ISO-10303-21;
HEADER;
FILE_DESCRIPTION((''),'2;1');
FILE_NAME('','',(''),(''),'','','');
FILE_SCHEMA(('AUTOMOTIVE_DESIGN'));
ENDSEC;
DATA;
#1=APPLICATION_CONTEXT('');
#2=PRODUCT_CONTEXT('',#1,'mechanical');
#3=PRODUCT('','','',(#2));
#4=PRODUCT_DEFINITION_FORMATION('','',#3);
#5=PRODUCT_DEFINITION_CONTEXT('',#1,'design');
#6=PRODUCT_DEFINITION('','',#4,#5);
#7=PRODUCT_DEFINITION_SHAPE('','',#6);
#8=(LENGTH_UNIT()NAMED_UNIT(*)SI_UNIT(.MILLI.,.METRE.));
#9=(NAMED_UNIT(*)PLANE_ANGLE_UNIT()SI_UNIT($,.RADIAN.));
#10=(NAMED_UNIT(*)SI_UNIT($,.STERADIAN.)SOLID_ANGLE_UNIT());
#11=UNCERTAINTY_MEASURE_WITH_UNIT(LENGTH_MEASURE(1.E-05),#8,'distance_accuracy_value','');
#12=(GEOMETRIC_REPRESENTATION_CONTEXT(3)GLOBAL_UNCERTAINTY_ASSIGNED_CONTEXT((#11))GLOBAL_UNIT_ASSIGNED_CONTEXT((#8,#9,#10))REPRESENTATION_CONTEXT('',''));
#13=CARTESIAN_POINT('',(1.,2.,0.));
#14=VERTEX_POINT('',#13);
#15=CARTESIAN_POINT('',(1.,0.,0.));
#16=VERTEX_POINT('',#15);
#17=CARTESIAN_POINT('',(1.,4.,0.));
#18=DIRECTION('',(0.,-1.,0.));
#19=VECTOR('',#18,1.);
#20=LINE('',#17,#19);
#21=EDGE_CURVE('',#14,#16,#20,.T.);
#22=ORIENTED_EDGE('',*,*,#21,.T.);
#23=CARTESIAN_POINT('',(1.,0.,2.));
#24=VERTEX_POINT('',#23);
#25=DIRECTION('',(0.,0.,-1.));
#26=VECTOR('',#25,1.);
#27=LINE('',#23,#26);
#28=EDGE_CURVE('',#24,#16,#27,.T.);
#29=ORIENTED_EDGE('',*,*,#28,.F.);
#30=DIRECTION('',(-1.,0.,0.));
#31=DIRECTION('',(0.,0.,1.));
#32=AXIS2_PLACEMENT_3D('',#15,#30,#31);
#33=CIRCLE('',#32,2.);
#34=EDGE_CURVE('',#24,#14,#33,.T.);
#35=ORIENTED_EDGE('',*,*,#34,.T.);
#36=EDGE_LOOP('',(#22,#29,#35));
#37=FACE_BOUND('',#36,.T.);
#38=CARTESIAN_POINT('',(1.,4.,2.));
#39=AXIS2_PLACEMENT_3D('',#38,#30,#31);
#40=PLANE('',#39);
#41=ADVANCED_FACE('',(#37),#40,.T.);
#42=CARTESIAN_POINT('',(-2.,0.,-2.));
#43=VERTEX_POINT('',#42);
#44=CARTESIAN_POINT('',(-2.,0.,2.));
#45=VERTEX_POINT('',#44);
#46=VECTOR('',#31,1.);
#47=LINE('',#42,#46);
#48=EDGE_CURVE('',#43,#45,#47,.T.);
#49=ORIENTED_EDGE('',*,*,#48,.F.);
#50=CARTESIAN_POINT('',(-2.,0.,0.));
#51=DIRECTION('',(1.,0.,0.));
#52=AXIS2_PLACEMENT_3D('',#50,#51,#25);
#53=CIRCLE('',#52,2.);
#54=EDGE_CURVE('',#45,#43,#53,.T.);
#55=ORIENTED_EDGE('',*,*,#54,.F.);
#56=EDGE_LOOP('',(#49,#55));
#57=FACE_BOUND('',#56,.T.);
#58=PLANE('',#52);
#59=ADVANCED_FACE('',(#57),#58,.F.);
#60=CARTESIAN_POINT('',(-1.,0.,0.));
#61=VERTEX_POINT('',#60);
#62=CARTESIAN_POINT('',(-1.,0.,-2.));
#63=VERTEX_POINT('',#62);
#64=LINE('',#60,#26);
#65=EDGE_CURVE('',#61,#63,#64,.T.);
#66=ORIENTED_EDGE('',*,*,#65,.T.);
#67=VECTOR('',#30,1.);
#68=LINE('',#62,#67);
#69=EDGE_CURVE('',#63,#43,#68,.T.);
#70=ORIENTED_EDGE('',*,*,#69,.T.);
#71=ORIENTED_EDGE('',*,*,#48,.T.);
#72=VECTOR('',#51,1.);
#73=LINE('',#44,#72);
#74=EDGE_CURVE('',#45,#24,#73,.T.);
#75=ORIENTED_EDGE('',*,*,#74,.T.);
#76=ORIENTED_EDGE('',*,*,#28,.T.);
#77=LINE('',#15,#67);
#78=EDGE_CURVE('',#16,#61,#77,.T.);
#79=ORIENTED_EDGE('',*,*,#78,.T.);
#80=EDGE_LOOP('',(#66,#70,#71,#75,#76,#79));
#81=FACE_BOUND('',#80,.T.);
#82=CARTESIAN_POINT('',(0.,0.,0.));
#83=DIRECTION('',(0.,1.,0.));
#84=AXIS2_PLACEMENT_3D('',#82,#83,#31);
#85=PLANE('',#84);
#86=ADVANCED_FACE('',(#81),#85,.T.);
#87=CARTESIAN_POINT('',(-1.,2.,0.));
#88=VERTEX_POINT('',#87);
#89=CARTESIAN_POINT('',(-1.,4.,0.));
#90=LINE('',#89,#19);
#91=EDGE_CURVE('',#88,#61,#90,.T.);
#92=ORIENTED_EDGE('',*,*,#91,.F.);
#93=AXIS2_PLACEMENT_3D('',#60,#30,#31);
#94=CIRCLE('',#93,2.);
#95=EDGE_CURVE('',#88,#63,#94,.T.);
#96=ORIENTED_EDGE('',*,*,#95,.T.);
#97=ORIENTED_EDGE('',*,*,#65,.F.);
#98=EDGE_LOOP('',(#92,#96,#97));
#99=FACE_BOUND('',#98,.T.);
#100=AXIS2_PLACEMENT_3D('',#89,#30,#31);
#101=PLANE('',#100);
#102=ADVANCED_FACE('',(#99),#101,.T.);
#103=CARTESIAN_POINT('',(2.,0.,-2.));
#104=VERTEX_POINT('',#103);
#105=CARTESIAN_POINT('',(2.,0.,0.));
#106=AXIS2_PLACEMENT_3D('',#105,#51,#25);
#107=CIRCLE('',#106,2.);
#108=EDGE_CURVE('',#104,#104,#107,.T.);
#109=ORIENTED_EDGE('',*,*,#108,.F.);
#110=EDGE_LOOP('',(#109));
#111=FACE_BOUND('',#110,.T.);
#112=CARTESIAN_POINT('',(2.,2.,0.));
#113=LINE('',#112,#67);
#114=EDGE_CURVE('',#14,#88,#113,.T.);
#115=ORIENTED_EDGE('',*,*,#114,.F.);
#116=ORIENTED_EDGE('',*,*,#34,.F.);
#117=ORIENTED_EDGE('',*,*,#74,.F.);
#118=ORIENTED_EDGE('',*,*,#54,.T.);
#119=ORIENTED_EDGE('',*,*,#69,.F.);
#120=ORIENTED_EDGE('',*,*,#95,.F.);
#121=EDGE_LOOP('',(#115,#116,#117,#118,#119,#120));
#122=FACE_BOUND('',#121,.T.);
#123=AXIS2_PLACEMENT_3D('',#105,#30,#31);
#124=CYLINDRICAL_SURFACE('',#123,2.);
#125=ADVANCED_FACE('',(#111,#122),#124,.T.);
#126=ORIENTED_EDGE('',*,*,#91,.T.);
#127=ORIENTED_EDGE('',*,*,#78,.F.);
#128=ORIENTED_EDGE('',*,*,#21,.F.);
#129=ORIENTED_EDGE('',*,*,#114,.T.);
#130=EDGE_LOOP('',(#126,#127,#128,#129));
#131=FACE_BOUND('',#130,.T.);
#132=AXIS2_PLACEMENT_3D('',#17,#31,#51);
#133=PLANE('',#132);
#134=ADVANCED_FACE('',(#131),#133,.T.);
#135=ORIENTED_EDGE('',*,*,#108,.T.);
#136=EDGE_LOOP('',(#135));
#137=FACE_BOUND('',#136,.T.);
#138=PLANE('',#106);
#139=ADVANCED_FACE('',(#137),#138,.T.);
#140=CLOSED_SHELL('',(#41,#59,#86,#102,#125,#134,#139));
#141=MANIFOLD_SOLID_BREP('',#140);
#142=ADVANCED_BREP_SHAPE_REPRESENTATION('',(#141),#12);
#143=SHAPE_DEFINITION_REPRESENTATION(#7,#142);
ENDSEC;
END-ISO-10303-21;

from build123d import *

# Parameters (mm, degrees)
SKETCH1_R           = 2
BOSS_EXTRUDE1_DEPTH = 2
CUT_EXTRUDE1_DEPTH  = 4


with BuildPart() as part:
    # Sketch1 → Boss-Extrude1 (new body, symmetric)
    with BuildSketch(Plane(origin=(0, 0, 0), x_dir=(0, 0, -1), z_dir=(1, 0, 0))):
        Circle(SKETCH1_R)
    extrude(amount=BOSS_EXTRUDE1_DEPTH, both=True)

    # Sketch3 → Cut-Extrude1 (cut)
    with BuildSketch(Plane(origin=(0, 0, 0), x_dir=(1, 0, 0), z_dir=(0, 1, 0))):
        Polygon((-2, 2), (-2, -2), (1, -2), (1, 0), (-1, 0), (-1, 2), align=None)
    extrude(amount=CUT_EXTRUDE1_DEPTH, mode=Mode.SUBTRACT)


solid = part.part
